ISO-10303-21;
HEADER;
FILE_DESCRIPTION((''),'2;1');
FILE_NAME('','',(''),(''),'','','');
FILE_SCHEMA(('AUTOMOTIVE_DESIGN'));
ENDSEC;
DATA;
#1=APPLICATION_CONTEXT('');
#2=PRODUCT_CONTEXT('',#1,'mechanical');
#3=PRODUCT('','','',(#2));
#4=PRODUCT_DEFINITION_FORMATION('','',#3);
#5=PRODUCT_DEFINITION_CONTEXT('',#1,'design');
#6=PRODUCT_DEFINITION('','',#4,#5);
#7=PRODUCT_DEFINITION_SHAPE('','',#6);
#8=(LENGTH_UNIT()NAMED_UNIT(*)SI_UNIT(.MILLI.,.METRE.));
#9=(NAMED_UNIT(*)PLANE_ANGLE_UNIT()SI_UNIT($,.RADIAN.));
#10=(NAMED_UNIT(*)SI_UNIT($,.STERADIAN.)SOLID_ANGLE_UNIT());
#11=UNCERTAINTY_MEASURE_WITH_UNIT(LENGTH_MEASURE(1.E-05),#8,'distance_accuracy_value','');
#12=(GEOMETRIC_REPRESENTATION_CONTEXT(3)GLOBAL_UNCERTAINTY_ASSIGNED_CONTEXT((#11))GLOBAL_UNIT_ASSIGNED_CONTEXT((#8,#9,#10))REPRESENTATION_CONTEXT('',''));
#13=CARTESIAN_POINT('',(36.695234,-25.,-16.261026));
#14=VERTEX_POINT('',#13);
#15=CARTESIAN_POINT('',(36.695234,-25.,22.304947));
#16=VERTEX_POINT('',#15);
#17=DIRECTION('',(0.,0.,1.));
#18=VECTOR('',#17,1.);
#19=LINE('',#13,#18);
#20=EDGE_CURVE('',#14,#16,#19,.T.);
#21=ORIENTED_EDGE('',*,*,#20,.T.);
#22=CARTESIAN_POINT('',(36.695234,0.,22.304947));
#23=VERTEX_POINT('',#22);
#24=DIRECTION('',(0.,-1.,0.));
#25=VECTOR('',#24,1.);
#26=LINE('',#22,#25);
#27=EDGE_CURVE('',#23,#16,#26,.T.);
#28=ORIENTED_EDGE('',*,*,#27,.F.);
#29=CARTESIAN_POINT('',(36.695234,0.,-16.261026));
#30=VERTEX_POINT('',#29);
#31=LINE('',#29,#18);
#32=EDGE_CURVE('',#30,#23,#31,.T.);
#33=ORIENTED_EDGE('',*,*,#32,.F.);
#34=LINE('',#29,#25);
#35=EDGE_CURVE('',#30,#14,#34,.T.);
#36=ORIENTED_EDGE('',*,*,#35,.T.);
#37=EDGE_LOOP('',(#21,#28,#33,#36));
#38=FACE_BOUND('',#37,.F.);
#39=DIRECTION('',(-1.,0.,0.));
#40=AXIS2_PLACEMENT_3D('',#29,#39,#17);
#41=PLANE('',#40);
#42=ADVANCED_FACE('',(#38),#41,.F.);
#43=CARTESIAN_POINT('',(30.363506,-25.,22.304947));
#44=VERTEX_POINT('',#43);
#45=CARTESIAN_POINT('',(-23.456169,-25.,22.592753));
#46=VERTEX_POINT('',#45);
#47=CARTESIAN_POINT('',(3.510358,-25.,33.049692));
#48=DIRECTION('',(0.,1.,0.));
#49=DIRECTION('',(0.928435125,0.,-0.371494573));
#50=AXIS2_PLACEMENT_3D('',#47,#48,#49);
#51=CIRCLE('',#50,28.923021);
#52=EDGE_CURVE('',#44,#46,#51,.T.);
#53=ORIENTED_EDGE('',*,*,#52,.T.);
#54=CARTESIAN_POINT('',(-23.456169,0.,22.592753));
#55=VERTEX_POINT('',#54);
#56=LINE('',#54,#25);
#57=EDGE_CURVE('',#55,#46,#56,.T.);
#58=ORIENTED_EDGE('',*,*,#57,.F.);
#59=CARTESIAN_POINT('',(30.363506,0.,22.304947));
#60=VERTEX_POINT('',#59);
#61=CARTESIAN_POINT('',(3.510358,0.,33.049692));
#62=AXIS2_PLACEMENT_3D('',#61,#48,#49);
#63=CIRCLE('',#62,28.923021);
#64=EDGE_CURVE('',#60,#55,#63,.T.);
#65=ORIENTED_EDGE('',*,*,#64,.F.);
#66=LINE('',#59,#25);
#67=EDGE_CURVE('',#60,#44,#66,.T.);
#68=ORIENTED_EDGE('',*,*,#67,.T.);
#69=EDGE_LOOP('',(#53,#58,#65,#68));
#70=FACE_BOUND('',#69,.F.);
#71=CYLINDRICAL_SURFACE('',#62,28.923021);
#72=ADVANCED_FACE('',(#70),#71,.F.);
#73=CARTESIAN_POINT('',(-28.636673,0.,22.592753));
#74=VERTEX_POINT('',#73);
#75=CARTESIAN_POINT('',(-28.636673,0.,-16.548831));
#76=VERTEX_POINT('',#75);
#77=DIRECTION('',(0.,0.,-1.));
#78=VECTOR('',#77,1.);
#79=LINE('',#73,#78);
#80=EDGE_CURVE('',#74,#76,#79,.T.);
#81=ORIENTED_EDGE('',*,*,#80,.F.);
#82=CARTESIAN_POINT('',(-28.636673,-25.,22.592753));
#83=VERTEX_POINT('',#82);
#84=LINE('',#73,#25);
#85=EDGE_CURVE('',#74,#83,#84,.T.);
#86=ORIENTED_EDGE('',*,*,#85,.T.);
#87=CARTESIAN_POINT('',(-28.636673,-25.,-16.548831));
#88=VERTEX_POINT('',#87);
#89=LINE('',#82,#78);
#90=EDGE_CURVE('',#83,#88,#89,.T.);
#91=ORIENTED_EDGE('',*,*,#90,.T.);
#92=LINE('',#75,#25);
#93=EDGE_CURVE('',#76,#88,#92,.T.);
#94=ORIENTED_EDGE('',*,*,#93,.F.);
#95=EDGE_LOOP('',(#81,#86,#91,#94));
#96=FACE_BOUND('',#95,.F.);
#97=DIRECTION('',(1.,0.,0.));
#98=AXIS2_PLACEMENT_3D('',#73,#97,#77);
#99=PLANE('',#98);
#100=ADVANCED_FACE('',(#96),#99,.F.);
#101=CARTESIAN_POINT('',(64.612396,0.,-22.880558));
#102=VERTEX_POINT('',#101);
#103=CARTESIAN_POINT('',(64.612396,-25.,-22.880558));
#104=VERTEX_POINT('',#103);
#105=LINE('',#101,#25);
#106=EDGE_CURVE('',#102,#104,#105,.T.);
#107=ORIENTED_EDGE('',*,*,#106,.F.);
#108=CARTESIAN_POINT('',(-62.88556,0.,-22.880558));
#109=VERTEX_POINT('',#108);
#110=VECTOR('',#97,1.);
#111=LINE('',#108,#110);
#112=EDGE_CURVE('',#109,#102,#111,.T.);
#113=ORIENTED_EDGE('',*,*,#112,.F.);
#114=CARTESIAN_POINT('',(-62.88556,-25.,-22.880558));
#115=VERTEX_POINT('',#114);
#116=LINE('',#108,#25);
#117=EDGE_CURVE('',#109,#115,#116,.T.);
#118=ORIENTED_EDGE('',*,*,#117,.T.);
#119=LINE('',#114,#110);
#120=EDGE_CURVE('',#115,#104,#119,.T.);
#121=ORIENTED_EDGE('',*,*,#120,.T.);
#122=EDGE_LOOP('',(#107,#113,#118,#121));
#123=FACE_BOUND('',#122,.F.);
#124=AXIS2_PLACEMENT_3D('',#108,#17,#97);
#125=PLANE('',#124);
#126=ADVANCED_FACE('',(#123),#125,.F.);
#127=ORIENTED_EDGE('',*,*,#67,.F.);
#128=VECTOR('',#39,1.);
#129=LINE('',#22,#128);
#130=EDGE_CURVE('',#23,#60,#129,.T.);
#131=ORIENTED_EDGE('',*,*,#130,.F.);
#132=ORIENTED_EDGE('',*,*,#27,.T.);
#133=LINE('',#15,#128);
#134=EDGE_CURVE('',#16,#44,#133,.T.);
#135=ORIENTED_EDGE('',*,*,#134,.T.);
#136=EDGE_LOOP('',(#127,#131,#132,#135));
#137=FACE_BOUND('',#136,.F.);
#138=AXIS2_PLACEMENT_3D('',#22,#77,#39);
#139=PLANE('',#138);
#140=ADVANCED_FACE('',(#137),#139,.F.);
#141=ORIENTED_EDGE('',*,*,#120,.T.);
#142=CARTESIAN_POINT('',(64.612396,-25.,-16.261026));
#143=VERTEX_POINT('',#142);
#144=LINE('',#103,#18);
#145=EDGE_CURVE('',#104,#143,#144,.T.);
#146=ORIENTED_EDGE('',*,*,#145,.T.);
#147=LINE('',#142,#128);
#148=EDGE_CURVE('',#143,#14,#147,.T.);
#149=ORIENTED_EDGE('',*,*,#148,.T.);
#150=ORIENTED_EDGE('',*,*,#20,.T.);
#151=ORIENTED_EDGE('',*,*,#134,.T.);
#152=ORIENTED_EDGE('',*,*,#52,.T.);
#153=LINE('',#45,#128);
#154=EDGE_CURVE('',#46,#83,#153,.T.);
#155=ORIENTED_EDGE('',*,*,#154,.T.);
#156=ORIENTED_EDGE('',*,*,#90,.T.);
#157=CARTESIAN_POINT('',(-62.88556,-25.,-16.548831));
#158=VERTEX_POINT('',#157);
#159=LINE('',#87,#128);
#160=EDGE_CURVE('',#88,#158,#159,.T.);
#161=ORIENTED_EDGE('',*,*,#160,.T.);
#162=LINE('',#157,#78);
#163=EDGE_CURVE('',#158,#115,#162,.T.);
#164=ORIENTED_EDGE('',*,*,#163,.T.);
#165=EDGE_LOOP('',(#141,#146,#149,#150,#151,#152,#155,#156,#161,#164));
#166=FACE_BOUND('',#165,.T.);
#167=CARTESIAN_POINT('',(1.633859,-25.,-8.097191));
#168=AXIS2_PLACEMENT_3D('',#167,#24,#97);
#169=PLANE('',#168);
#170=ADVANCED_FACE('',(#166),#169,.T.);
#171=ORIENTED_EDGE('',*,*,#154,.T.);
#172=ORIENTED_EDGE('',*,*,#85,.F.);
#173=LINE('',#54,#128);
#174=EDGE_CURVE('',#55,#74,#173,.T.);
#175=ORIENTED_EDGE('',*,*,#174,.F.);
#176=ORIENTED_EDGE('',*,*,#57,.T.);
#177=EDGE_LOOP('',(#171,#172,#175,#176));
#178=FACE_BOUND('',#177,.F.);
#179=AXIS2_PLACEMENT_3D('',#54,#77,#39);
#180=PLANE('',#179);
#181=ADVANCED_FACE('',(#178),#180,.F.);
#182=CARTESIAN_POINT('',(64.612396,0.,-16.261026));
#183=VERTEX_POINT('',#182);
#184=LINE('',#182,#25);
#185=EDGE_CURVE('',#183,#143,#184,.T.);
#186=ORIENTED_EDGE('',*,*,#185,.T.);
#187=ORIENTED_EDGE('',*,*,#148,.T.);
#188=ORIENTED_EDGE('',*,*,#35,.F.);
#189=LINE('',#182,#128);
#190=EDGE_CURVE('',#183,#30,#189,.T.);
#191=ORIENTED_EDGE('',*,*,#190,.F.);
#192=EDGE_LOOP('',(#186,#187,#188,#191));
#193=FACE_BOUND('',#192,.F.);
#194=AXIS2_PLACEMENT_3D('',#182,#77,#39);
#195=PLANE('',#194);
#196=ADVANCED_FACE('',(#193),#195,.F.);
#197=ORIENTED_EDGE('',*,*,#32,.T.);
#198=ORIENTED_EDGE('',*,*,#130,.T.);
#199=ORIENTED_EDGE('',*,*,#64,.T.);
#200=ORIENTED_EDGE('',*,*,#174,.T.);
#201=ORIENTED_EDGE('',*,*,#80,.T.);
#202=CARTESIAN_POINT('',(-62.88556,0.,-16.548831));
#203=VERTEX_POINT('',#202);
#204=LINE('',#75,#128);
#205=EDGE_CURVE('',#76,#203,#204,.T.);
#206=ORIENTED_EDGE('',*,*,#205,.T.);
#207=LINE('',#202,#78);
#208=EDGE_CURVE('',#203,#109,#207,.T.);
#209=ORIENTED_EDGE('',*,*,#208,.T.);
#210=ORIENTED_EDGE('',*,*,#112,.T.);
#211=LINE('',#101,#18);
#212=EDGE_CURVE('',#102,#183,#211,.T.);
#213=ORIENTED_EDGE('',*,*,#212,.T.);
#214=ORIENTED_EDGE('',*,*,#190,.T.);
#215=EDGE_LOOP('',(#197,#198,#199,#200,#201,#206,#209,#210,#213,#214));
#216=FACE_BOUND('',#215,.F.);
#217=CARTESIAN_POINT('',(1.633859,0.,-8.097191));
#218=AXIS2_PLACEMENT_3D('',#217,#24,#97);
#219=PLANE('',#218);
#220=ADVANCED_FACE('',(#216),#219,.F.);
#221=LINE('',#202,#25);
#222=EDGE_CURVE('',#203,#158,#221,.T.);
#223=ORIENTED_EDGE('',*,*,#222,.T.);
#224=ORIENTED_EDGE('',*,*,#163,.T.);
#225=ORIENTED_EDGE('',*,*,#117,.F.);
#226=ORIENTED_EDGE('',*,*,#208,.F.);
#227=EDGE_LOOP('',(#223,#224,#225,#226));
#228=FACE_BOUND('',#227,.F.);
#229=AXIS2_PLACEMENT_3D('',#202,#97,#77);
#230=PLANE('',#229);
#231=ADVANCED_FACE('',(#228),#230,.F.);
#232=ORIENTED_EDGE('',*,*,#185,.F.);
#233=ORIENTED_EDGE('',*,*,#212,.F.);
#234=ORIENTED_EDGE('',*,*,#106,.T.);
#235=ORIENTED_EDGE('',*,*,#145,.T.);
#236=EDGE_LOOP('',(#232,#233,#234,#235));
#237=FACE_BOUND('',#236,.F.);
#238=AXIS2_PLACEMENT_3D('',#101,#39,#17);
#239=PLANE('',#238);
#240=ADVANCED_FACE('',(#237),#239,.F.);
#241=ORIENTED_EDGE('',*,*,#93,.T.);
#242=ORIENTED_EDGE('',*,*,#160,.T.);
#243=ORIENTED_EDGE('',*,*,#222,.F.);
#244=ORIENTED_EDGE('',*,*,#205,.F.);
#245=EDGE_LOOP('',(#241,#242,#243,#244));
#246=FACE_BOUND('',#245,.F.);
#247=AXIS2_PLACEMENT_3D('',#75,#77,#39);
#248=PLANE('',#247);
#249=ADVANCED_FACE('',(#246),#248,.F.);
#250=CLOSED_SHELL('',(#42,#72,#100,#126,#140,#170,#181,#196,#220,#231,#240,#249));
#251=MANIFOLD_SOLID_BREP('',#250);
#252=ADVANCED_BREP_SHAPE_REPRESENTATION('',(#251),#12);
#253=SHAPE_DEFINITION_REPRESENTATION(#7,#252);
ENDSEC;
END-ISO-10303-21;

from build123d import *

# Parameters (mm, degrees)
F1_DEPTH = 25


with BuildPart() as f1:
    # F0 (on Front) → F1 (new body)
    with BuildSketch(Plane.XZ):
        with BuildLine():
            Line((-28.636673, -16.548831), (-62.88556, -16.548831))
            Line((-62.88556, -16.548831), (-62.88556, -22.880558))
            Line((-62.88556, -22.880558), (64.612396, -22.880558))
            Line((64.612396, -22.880558), (64.612396, -16.261026))
            Line((64.612396, -16.261026), (36.695234, -16.261026))
            Line((36.695234, -16.261026), (36.695234, 22.304947))
            Line((36.695234, 22.304947), (30.363506, 22.304947))
            ThreePointArc((30.363506, 22.304947), (3.355691, 4.127085), (-23.456169, 22.592753))
            Line((-23.456169, 22.592753), (-28.636673, 22.592753))
            Line((-28.636673, 22.592753), (-28.636673, -16.548831))
        make_face()
    extrude(amount=F1_DEPTH)


solid = f1.part
